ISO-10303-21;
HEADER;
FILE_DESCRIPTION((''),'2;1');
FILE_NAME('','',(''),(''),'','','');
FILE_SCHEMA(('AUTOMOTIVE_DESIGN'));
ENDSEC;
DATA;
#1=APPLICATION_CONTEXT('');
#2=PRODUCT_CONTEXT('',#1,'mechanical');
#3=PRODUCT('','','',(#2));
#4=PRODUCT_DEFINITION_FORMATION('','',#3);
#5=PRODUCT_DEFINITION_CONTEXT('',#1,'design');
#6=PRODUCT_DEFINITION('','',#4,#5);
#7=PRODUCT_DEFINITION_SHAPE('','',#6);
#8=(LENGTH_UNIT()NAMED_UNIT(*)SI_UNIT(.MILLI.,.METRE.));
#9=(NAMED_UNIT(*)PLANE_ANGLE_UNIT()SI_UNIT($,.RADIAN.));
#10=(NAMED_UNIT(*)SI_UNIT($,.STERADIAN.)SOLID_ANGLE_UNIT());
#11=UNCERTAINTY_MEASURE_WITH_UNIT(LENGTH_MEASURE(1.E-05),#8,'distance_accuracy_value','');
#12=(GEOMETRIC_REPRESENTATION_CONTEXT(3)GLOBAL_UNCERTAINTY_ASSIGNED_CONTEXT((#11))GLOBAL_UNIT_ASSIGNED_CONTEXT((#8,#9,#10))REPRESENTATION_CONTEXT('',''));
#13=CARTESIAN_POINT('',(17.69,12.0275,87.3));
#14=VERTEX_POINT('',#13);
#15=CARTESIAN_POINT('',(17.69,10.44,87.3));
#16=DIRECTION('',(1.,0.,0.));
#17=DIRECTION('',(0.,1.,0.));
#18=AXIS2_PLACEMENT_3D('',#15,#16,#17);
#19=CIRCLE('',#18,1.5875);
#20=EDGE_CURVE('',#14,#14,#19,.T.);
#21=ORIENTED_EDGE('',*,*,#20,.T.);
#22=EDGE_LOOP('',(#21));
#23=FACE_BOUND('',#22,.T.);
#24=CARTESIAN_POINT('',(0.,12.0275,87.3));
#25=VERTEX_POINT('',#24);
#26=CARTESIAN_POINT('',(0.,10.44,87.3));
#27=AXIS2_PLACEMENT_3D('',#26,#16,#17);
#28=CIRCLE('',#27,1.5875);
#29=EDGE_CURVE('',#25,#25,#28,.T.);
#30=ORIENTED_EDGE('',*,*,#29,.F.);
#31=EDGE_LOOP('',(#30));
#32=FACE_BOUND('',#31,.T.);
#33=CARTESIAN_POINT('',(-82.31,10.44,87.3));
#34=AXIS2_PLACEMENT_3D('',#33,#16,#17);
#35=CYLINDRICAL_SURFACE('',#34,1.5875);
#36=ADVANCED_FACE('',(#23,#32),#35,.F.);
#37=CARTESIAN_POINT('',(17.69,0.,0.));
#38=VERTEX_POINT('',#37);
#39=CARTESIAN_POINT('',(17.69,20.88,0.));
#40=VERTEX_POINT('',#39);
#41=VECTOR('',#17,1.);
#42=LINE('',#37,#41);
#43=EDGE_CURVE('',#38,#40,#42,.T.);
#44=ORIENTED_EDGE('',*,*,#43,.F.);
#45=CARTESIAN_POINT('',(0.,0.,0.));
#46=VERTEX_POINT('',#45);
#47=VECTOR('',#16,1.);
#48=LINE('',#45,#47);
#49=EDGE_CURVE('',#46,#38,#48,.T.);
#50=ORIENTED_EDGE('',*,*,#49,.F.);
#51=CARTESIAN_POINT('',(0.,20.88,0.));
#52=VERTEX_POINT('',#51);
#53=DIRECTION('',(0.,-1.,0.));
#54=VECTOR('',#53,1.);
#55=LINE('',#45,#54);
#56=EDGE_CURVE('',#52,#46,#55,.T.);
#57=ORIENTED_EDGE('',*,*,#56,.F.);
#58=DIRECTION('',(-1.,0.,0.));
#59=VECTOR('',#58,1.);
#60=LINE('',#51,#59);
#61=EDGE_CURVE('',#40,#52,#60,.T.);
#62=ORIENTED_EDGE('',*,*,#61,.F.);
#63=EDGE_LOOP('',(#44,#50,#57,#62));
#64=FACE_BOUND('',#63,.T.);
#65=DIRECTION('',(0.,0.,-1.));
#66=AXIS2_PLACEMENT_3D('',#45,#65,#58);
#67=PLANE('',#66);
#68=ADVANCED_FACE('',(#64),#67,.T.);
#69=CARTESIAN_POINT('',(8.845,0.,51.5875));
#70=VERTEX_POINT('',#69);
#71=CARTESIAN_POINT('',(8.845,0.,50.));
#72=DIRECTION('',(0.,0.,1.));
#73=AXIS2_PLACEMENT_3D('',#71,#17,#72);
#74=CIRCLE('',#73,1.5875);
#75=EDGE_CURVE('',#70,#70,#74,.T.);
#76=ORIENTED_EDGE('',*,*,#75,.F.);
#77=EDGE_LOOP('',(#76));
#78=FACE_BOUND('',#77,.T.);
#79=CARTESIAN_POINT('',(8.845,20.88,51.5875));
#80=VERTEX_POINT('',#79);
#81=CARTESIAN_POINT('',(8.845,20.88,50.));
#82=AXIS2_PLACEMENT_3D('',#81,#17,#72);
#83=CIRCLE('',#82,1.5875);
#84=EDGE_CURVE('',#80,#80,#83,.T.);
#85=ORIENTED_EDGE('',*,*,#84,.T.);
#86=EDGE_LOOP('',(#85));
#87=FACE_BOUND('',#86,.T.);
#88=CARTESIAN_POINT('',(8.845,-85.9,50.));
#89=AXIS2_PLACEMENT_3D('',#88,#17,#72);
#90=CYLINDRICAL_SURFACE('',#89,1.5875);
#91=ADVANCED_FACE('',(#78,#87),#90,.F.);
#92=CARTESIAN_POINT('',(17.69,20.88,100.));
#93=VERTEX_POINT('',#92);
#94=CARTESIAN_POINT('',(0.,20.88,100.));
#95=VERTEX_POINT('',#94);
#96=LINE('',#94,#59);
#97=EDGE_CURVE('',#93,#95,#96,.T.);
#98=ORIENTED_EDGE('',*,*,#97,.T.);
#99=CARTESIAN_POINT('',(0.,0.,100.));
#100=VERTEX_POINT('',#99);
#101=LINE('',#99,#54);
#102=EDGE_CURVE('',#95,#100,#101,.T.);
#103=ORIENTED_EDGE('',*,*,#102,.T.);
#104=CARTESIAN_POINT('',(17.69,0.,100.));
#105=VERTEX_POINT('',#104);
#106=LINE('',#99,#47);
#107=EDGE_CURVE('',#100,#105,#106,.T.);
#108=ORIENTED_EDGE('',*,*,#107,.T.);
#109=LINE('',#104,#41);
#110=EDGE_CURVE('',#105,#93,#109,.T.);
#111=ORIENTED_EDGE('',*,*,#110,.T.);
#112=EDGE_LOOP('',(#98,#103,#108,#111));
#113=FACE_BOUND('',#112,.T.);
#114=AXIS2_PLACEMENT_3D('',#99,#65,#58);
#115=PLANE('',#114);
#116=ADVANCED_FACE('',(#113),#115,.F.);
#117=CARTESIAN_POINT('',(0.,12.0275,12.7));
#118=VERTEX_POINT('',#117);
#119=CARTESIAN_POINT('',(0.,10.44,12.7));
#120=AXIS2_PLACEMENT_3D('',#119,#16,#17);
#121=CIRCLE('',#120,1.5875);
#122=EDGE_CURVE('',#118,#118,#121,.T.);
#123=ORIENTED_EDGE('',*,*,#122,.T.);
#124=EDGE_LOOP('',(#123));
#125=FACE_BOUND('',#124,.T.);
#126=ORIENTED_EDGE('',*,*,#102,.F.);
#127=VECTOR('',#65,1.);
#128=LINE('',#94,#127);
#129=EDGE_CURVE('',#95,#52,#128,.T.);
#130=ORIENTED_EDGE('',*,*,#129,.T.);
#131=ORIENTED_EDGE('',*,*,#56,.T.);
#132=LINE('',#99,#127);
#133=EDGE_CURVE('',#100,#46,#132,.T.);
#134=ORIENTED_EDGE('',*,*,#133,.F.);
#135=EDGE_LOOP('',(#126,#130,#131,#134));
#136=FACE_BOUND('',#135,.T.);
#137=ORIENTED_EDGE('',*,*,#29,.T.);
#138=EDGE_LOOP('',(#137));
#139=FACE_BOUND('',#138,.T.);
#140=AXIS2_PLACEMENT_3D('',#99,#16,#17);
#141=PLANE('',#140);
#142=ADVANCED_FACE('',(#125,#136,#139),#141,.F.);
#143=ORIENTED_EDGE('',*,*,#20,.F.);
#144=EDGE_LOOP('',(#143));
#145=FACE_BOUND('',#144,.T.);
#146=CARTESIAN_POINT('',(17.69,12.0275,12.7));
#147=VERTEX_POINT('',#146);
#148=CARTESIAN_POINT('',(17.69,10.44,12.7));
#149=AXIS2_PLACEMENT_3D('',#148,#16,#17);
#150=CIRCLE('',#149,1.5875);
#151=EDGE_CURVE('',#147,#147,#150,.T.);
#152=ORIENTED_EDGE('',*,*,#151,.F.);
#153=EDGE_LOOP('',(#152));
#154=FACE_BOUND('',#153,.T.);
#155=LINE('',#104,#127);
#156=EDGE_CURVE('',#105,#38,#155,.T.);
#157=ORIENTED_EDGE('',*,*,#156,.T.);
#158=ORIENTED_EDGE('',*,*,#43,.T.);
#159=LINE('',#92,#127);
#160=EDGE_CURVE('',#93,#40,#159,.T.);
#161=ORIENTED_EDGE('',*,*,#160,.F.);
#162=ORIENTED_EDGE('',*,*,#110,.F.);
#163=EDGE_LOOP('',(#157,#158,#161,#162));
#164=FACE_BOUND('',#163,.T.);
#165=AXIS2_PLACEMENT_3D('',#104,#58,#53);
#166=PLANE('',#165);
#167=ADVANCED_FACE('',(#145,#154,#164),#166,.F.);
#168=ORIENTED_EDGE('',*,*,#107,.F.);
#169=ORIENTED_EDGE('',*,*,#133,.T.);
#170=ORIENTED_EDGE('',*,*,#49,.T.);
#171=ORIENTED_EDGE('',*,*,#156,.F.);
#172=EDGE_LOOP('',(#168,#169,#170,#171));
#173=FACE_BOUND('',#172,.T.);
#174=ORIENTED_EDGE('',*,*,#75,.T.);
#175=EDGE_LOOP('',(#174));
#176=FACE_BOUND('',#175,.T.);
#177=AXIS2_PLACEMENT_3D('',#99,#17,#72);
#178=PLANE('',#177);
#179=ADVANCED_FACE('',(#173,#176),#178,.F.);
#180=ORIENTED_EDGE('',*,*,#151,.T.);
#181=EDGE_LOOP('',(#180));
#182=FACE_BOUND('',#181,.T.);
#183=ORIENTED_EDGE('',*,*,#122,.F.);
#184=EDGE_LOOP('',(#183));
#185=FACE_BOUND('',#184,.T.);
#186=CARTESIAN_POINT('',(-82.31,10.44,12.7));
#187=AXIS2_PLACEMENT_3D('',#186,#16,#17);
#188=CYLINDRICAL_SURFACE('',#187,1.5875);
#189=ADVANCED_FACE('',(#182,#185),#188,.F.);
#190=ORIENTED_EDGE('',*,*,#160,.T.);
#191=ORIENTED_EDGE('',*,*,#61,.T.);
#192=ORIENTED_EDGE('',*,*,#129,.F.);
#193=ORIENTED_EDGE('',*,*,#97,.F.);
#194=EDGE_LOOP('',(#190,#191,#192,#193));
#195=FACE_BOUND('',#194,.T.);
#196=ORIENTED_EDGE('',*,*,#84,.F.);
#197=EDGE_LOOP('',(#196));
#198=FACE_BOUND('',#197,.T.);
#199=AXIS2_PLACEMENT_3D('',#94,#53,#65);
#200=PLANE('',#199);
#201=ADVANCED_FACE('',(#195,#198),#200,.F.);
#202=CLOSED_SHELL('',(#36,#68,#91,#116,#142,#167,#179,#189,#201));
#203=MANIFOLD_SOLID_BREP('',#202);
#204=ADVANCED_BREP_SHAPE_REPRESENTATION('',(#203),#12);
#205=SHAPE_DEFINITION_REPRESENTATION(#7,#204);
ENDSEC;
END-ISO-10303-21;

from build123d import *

# Parameters (mm, degrees)
SKETCH1_W           = 17.69
SKETCH1_H           = 20.88
BOSS_EXTRUDE1_DEPTH = 100
SKETCH2_R           = 1.5875
CUT_EXTRUDE1_DEPTH  = 106.78
SKETCH3_R           = 1.5875
CUT_EXTRUDE2_DEPTH  = 100


with BuildPart() as part:
    # Sketch1 → Boss-Extrude1 (new body)
    with BuildSketch(Plane.XY):
        with Locations((8.845, 10.44)):
            Rectangle(SKETCH1_W, SKETCH1_H)
    extrude(amount=BOSS_EXTRUDE1_DEPTH)

    # Sketch2 → Cut-Extrude1 (cut)
    with BuildSketch(Plane(origin=(0, 20.88, 0), x_dir=(1, 0, 0), z_dir=(0, 1, 0))):
        with Locations(Location((8.845, -50, 0), (0, 0, 270))):
            Circle(SKETCH2_R)
    extrude(amount=-CUT_EXTRUDE1_DEPTH, mode=Mode.SUBTRACT)

    # Sketch3 → Cut-Extrude2 (cut)
    with BuildSketch(Plane(origin=(17.69, 0, 0), x_dir=(0, 0, -1), z_dir=(1, 0, 0))):
        with Locations(Location((-87.3, 10.44, 0), (0, 0, 90))):
            Circle(SKETCH3_R)
        with Locations(Location((-12.7, 10.44, 0), (0, 0, 90))):
            Circle(SKETCH3_R)
    extrude(amount=-CUT_EXTRUDE2_DEPTH, mode=Mode.SUBTRACT)


solid = part.part
